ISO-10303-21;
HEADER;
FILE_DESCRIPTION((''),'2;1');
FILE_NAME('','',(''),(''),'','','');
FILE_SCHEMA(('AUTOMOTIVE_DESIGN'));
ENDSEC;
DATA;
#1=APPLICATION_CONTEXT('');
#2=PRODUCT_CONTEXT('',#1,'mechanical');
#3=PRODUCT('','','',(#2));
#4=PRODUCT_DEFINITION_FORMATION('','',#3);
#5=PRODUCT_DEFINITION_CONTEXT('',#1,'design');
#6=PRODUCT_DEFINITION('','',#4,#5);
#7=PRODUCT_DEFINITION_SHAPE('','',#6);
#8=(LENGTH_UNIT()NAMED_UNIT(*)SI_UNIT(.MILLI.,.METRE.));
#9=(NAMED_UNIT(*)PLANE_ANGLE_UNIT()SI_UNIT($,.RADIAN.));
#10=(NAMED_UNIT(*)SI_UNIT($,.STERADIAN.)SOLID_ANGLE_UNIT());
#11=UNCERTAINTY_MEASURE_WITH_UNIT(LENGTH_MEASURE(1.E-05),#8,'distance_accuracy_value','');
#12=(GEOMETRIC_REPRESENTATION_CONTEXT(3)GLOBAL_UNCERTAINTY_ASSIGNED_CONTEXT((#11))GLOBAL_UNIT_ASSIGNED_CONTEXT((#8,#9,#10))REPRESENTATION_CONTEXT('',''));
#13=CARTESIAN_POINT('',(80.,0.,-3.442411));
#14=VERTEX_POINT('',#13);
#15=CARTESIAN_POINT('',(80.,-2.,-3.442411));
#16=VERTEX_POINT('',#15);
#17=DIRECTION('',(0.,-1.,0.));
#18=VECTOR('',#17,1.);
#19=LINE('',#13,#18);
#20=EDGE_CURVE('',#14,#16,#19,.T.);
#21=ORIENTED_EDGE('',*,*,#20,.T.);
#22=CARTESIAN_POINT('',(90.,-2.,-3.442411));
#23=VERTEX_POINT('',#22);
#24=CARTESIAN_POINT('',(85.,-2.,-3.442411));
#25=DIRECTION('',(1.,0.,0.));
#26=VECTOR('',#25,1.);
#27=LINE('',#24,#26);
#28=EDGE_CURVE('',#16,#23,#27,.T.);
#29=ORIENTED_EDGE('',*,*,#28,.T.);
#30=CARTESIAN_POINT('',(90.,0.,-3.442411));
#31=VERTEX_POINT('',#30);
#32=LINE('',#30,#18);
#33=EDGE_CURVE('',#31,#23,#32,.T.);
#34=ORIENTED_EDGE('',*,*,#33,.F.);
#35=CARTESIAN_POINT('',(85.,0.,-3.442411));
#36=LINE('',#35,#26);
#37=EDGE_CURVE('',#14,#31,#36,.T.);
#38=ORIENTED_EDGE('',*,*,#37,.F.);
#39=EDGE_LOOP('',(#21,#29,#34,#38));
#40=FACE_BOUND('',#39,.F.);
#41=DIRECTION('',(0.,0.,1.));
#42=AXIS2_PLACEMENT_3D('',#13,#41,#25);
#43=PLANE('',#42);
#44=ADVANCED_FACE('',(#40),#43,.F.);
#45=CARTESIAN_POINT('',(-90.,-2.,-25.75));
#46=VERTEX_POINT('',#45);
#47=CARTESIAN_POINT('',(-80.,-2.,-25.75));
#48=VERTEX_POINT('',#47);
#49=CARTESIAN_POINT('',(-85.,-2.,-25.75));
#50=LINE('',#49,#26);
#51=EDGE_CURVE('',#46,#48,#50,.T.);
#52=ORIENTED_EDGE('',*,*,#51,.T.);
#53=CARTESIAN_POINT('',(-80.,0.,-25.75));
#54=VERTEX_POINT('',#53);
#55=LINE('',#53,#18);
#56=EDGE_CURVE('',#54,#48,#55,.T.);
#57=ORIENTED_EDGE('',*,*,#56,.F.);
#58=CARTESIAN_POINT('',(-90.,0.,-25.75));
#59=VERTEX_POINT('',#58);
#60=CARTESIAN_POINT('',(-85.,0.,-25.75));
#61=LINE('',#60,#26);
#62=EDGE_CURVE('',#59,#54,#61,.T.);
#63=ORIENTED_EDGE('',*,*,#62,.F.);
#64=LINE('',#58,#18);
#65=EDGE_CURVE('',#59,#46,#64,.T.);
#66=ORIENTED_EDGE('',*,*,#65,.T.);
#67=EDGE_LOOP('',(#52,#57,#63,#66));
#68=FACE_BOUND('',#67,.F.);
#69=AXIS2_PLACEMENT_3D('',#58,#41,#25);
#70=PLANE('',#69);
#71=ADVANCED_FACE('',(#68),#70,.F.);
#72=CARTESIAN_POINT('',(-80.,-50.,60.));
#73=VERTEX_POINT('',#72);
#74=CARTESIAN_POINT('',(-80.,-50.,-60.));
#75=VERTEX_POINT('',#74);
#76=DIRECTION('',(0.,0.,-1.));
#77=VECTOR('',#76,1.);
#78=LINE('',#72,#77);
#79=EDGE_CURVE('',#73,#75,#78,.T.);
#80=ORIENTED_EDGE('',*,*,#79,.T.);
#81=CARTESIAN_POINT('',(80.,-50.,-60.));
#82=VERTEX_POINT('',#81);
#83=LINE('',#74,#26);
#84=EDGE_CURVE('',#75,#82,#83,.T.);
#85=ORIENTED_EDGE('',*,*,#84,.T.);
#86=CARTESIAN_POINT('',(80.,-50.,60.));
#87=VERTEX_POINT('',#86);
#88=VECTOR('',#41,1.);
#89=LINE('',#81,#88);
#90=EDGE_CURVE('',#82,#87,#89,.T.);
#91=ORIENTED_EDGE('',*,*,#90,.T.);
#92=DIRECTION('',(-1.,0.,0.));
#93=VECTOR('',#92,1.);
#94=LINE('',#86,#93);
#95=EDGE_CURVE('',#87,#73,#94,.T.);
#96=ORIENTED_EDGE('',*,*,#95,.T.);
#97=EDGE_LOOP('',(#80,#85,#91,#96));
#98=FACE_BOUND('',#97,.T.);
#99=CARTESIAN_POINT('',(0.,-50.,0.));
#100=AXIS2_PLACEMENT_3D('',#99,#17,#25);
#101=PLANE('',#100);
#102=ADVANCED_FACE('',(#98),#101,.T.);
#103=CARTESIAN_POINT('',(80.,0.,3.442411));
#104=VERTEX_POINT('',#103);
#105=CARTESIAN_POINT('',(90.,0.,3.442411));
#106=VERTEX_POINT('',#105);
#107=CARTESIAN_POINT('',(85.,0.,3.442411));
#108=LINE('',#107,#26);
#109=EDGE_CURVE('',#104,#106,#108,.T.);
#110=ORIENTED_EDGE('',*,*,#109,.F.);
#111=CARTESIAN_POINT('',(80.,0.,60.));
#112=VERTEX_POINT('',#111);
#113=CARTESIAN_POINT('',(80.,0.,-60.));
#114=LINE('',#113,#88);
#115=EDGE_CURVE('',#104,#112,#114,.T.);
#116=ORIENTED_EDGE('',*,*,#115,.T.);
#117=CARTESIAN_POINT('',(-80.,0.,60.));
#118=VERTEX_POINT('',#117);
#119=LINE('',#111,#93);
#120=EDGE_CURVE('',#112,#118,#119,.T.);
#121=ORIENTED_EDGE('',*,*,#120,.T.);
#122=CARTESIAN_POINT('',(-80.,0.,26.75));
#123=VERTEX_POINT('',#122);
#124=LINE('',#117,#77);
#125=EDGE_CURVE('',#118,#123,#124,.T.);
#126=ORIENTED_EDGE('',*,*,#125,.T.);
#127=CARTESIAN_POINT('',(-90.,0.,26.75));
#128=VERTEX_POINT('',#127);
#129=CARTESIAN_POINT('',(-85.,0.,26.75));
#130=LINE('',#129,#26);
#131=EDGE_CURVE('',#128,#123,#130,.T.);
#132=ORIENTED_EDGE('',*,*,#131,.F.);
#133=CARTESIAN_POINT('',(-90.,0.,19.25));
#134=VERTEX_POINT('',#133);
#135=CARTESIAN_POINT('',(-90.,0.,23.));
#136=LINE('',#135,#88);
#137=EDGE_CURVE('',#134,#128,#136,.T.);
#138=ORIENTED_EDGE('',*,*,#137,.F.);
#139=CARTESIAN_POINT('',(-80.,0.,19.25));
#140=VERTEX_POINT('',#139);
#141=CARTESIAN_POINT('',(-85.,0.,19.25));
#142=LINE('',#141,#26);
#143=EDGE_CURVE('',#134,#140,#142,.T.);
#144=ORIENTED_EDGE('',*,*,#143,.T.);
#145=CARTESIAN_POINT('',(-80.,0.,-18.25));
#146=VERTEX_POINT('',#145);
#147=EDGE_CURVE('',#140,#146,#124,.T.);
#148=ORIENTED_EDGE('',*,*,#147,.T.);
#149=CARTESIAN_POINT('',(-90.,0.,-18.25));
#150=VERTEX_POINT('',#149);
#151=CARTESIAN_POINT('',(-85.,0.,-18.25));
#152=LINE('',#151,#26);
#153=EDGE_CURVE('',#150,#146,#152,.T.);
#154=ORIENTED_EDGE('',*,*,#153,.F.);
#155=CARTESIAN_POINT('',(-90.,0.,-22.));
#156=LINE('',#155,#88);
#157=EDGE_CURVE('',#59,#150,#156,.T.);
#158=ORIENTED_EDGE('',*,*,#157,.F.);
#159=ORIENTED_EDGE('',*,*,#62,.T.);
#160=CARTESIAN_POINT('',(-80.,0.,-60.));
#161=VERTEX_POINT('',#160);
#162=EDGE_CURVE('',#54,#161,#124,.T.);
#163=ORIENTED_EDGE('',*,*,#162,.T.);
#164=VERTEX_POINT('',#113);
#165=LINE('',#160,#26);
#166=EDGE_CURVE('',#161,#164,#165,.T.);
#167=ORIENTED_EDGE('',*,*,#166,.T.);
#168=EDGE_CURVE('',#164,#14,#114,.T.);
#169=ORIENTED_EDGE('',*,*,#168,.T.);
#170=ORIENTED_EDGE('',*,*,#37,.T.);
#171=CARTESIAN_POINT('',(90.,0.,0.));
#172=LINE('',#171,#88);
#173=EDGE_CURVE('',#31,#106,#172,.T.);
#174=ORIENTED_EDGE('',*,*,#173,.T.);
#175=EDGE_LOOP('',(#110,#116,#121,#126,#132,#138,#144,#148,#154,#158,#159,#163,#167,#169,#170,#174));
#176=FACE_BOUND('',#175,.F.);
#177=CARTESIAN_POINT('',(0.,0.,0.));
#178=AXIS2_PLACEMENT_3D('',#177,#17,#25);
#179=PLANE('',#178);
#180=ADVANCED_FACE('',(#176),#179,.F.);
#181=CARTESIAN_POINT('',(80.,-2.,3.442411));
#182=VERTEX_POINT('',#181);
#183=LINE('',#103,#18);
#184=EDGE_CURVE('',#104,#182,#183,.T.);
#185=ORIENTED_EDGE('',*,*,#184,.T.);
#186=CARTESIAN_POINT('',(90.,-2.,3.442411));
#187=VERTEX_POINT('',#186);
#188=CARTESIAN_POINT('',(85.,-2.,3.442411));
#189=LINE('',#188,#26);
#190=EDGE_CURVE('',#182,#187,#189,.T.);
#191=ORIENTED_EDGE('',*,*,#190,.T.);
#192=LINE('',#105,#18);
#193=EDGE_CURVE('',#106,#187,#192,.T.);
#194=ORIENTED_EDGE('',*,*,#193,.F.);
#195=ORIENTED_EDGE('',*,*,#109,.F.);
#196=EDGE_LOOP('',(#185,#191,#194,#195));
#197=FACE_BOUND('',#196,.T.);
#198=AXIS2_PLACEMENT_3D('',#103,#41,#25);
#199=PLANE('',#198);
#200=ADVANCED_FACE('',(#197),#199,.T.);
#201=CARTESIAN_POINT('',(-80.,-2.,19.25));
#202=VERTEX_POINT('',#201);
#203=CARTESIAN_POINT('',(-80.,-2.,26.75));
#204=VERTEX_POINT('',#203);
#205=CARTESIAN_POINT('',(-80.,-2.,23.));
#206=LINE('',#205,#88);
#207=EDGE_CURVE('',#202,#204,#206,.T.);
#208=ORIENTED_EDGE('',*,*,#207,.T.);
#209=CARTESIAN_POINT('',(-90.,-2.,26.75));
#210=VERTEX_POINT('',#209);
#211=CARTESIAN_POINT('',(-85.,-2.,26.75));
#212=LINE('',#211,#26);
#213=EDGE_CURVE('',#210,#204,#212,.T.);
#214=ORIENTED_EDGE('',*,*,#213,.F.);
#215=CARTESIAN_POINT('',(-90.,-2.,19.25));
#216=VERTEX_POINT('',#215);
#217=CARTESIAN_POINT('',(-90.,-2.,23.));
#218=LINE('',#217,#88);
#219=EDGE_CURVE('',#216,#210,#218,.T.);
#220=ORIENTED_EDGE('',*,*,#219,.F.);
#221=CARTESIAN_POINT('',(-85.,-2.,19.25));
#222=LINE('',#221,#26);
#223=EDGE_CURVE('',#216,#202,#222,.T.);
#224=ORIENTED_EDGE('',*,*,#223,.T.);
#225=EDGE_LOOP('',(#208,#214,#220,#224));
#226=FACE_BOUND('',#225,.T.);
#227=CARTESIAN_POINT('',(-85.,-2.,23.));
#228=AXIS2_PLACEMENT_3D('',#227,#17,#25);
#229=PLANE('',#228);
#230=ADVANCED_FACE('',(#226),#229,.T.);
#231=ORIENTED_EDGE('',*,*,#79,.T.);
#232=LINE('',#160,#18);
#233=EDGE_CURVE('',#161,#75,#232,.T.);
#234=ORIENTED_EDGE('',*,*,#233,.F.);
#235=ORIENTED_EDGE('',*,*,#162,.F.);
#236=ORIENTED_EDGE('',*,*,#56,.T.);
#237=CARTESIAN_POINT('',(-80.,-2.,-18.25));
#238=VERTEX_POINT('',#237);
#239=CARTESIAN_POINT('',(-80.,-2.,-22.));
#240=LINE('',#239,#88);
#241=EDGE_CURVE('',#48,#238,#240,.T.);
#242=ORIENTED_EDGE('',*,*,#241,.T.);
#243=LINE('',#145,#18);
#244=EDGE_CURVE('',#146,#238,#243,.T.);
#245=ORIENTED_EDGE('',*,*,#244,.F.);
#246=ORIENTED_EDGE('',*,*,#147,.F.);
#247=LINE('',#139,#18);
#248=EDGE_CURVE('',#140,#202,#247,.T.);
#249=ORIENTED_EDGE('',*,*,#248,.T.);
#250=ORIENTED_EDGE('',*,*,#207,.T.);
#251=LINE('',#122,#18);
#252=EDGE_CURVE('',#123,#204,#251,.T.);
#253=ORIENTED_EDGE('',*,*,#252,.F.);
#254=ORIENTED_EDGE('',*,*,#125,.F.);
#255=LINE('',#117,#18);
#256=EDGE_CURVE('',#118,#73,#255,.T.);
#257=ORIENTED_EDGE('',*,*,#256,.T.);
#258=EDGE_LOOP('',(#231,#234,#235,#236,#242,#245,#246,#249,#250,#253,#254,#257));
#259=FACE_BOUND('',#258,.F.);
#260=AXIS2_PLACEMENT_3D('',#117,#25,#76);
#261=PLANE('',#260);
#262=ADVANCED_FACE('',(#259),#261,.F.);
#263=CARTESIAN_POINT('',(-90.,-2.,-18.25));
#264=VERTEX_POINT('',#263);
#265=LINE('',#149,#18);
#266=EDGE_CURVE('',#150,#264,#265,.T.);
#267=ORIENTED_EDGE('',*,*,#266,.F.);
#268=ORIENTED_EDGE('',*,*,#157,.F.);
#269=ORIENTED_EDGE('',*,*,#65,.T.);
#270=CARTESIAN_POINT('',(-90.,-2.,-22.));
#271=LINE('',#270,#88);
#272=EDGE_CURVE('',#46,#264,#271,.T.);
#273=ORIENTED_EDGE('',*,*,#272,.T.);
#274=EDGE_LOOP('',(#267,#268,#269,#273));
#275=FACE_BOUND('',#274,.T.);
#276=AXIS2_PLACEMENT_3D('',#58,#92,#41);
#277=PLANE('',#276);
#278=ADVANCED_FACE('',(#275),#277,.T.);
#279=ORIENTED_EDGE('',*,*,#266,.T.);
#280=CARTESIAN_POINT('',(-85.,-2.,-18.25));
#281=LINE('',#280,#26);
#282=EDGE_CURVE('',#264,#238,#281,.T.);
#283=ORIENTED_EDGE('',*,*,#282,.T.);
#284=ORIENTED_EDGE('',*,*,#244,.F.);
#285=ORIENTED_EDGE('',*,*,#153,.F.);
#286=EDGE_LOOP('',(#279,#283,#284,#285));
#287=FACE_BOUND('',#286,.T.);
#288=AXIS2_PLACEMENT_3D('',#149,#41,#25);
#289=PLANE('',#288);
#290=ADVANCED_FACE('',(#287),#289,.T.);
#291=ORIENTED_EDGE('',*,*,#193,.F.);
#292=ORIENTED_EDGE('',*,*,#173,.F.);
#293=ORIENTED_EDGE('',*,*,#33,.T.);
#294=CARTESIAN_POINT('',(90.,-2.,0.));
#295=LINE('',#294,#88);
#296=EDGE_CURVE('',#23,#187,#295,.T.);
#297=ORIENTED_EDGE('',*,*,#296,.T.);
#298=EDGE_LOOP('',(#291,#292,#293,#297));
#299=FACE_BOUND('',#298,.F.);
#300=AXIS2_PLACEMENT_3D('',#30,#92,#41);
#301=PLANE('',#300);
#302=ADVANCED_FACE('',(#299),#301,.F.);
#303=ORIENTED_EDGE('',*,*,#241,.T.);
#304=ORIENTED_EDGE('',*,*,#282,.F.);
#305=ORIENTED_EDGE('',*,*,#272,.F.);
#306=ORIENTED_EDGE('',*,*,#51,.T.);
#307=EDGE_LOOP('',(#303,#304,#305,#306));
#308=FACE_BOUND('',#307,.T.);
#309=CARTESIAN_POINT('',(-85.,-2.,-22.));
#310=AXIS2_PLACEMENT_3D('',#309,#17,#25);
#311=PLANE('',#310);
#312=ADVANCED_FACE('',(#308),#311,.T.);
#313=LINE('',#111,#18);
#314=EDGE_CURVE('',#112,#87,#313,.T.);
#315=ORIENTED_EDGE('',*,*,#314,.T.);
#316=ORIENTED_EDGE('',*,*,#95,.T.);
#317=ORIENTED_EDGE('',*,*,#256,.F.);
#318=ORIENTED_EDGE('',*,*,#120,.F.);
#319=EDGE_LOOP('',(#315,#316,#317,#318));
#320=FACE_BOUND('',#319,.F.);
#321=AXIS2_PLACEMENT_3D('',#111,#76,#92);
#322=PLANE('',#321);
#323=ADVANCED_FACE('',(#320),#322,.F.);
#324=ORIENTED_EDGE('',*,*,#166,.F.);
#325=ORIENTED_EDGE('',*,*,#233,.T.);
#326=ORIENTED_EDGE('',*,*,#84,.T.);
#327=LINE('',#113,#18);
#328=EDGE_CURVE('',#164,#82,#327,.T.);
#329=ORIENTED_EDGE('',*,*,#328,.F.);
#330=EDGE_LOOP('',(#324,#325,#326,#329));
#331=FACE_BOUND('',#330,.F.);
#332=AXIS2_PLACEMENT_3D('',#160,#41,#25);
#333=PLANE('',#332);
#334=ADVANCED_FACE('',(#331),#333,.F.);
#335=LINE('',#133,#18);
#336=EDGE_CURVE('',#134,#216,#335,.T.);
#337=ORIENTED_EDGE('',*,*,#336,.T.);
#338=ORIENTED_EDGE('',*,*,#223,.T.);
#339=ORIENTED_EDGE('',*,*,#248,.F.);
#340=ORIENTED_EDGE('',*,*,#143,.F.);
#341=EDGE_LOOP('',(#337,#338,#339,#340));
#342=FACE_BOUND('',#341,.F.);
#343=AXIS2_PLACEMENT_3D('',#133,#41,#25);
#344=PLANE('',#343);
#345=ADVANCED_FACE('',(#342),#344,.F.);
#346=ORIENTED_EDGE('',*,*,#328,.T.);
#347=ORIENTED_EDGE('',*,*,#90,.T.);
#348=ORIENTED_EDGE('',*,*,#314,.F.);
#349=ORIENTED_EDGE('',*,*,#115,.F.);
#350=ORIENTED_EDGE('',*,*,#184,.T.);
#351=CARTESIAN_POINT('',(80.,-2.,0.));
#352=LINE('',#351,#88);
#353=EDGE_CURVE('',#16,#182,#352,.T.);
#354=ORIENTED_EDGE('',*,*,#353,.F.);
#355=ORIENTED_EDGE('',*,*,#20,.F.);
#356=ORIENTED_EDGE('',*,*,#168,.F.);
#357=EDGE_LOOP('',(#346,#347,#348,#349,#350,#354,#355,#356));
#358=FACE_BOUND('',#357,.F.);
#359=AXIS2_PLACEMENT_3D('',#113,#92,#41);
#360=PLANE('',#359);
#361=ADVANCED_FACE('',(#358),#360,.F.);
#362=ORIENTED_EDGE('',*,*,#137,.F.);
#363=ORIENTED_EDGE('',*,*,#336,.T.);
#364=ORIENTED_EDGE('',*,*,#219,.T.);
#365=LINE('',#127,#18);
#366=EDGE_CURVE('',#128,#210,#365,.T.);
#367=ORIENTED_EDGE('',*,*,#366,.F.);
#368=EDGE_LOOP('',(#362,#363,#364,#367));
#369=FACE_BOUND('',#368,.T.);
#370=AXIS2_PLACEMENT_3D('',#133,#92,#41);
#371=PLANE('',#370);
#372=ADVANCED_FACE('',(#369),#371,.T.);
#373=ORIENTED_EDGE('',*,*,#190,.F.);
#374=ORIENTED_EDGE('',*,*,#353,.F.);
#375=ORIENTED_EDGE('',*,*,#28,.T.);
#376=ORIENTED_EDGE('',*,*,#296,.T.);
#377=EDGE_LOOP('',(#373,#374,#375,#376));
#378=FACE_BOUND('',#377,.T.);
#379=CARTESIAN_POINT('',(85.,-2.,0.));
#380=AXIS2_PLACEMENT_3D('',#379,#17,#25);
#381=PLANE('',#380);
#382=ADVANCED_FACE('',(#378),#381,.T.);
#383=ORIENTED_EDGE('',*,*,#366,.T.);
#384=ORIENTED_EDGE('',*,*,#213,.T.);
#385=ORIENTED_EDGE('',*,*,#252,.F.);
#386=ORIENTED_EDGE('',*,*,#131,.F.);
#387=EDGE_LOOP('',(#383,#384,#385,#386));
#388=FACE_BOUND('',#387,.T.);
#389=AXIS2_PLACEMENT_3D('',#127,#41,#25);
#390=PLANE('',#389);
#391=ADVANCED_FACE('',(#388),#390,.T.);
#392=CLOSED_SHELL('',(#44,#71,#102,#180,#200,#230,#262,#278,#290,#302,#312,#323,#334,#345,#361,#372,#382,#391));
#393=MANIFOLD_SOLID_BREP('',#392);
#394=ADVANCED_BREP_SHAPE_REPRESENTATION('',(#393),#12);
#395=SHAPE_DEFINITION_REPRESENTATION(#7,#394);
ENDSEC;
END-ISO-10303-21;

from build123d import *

# Parameters (mm, degrees)
F1_DEPTH = 50
F0_W     = 10
F0_H     = 7.5
F0_H_2   = 6.884822
F2_DEPTH = 2


with BuildPart() as f1:
    # F0 (on Front) → F1 (new body)
    with BuildSketch(Plane.XZ):
        Polygon((80, 3.442411), (80, 60), (-80, 60), (-80, 26.75), (-80, 19.25), (-80, -18.25), (-80, -25.75), (-80, -60), (80, -60), (80, -3.442411), align=None)
    extrude(amount=F1_DEPTH)

    # F0 (on Front) → F2 (join)
    with BuildSketch(Plane.XZ):
        with Locations((-85, -22)):
            Rectangle(F0_W, F0_H)
        with Locations((-85, 23)):
            Rectangle(F0_W, F0_H)
        with Locations((85, 0)):
            Rectangle(F0_W, F0_H_2)
    extrude(amount=F2_DEPTH)


solid = f1.part
